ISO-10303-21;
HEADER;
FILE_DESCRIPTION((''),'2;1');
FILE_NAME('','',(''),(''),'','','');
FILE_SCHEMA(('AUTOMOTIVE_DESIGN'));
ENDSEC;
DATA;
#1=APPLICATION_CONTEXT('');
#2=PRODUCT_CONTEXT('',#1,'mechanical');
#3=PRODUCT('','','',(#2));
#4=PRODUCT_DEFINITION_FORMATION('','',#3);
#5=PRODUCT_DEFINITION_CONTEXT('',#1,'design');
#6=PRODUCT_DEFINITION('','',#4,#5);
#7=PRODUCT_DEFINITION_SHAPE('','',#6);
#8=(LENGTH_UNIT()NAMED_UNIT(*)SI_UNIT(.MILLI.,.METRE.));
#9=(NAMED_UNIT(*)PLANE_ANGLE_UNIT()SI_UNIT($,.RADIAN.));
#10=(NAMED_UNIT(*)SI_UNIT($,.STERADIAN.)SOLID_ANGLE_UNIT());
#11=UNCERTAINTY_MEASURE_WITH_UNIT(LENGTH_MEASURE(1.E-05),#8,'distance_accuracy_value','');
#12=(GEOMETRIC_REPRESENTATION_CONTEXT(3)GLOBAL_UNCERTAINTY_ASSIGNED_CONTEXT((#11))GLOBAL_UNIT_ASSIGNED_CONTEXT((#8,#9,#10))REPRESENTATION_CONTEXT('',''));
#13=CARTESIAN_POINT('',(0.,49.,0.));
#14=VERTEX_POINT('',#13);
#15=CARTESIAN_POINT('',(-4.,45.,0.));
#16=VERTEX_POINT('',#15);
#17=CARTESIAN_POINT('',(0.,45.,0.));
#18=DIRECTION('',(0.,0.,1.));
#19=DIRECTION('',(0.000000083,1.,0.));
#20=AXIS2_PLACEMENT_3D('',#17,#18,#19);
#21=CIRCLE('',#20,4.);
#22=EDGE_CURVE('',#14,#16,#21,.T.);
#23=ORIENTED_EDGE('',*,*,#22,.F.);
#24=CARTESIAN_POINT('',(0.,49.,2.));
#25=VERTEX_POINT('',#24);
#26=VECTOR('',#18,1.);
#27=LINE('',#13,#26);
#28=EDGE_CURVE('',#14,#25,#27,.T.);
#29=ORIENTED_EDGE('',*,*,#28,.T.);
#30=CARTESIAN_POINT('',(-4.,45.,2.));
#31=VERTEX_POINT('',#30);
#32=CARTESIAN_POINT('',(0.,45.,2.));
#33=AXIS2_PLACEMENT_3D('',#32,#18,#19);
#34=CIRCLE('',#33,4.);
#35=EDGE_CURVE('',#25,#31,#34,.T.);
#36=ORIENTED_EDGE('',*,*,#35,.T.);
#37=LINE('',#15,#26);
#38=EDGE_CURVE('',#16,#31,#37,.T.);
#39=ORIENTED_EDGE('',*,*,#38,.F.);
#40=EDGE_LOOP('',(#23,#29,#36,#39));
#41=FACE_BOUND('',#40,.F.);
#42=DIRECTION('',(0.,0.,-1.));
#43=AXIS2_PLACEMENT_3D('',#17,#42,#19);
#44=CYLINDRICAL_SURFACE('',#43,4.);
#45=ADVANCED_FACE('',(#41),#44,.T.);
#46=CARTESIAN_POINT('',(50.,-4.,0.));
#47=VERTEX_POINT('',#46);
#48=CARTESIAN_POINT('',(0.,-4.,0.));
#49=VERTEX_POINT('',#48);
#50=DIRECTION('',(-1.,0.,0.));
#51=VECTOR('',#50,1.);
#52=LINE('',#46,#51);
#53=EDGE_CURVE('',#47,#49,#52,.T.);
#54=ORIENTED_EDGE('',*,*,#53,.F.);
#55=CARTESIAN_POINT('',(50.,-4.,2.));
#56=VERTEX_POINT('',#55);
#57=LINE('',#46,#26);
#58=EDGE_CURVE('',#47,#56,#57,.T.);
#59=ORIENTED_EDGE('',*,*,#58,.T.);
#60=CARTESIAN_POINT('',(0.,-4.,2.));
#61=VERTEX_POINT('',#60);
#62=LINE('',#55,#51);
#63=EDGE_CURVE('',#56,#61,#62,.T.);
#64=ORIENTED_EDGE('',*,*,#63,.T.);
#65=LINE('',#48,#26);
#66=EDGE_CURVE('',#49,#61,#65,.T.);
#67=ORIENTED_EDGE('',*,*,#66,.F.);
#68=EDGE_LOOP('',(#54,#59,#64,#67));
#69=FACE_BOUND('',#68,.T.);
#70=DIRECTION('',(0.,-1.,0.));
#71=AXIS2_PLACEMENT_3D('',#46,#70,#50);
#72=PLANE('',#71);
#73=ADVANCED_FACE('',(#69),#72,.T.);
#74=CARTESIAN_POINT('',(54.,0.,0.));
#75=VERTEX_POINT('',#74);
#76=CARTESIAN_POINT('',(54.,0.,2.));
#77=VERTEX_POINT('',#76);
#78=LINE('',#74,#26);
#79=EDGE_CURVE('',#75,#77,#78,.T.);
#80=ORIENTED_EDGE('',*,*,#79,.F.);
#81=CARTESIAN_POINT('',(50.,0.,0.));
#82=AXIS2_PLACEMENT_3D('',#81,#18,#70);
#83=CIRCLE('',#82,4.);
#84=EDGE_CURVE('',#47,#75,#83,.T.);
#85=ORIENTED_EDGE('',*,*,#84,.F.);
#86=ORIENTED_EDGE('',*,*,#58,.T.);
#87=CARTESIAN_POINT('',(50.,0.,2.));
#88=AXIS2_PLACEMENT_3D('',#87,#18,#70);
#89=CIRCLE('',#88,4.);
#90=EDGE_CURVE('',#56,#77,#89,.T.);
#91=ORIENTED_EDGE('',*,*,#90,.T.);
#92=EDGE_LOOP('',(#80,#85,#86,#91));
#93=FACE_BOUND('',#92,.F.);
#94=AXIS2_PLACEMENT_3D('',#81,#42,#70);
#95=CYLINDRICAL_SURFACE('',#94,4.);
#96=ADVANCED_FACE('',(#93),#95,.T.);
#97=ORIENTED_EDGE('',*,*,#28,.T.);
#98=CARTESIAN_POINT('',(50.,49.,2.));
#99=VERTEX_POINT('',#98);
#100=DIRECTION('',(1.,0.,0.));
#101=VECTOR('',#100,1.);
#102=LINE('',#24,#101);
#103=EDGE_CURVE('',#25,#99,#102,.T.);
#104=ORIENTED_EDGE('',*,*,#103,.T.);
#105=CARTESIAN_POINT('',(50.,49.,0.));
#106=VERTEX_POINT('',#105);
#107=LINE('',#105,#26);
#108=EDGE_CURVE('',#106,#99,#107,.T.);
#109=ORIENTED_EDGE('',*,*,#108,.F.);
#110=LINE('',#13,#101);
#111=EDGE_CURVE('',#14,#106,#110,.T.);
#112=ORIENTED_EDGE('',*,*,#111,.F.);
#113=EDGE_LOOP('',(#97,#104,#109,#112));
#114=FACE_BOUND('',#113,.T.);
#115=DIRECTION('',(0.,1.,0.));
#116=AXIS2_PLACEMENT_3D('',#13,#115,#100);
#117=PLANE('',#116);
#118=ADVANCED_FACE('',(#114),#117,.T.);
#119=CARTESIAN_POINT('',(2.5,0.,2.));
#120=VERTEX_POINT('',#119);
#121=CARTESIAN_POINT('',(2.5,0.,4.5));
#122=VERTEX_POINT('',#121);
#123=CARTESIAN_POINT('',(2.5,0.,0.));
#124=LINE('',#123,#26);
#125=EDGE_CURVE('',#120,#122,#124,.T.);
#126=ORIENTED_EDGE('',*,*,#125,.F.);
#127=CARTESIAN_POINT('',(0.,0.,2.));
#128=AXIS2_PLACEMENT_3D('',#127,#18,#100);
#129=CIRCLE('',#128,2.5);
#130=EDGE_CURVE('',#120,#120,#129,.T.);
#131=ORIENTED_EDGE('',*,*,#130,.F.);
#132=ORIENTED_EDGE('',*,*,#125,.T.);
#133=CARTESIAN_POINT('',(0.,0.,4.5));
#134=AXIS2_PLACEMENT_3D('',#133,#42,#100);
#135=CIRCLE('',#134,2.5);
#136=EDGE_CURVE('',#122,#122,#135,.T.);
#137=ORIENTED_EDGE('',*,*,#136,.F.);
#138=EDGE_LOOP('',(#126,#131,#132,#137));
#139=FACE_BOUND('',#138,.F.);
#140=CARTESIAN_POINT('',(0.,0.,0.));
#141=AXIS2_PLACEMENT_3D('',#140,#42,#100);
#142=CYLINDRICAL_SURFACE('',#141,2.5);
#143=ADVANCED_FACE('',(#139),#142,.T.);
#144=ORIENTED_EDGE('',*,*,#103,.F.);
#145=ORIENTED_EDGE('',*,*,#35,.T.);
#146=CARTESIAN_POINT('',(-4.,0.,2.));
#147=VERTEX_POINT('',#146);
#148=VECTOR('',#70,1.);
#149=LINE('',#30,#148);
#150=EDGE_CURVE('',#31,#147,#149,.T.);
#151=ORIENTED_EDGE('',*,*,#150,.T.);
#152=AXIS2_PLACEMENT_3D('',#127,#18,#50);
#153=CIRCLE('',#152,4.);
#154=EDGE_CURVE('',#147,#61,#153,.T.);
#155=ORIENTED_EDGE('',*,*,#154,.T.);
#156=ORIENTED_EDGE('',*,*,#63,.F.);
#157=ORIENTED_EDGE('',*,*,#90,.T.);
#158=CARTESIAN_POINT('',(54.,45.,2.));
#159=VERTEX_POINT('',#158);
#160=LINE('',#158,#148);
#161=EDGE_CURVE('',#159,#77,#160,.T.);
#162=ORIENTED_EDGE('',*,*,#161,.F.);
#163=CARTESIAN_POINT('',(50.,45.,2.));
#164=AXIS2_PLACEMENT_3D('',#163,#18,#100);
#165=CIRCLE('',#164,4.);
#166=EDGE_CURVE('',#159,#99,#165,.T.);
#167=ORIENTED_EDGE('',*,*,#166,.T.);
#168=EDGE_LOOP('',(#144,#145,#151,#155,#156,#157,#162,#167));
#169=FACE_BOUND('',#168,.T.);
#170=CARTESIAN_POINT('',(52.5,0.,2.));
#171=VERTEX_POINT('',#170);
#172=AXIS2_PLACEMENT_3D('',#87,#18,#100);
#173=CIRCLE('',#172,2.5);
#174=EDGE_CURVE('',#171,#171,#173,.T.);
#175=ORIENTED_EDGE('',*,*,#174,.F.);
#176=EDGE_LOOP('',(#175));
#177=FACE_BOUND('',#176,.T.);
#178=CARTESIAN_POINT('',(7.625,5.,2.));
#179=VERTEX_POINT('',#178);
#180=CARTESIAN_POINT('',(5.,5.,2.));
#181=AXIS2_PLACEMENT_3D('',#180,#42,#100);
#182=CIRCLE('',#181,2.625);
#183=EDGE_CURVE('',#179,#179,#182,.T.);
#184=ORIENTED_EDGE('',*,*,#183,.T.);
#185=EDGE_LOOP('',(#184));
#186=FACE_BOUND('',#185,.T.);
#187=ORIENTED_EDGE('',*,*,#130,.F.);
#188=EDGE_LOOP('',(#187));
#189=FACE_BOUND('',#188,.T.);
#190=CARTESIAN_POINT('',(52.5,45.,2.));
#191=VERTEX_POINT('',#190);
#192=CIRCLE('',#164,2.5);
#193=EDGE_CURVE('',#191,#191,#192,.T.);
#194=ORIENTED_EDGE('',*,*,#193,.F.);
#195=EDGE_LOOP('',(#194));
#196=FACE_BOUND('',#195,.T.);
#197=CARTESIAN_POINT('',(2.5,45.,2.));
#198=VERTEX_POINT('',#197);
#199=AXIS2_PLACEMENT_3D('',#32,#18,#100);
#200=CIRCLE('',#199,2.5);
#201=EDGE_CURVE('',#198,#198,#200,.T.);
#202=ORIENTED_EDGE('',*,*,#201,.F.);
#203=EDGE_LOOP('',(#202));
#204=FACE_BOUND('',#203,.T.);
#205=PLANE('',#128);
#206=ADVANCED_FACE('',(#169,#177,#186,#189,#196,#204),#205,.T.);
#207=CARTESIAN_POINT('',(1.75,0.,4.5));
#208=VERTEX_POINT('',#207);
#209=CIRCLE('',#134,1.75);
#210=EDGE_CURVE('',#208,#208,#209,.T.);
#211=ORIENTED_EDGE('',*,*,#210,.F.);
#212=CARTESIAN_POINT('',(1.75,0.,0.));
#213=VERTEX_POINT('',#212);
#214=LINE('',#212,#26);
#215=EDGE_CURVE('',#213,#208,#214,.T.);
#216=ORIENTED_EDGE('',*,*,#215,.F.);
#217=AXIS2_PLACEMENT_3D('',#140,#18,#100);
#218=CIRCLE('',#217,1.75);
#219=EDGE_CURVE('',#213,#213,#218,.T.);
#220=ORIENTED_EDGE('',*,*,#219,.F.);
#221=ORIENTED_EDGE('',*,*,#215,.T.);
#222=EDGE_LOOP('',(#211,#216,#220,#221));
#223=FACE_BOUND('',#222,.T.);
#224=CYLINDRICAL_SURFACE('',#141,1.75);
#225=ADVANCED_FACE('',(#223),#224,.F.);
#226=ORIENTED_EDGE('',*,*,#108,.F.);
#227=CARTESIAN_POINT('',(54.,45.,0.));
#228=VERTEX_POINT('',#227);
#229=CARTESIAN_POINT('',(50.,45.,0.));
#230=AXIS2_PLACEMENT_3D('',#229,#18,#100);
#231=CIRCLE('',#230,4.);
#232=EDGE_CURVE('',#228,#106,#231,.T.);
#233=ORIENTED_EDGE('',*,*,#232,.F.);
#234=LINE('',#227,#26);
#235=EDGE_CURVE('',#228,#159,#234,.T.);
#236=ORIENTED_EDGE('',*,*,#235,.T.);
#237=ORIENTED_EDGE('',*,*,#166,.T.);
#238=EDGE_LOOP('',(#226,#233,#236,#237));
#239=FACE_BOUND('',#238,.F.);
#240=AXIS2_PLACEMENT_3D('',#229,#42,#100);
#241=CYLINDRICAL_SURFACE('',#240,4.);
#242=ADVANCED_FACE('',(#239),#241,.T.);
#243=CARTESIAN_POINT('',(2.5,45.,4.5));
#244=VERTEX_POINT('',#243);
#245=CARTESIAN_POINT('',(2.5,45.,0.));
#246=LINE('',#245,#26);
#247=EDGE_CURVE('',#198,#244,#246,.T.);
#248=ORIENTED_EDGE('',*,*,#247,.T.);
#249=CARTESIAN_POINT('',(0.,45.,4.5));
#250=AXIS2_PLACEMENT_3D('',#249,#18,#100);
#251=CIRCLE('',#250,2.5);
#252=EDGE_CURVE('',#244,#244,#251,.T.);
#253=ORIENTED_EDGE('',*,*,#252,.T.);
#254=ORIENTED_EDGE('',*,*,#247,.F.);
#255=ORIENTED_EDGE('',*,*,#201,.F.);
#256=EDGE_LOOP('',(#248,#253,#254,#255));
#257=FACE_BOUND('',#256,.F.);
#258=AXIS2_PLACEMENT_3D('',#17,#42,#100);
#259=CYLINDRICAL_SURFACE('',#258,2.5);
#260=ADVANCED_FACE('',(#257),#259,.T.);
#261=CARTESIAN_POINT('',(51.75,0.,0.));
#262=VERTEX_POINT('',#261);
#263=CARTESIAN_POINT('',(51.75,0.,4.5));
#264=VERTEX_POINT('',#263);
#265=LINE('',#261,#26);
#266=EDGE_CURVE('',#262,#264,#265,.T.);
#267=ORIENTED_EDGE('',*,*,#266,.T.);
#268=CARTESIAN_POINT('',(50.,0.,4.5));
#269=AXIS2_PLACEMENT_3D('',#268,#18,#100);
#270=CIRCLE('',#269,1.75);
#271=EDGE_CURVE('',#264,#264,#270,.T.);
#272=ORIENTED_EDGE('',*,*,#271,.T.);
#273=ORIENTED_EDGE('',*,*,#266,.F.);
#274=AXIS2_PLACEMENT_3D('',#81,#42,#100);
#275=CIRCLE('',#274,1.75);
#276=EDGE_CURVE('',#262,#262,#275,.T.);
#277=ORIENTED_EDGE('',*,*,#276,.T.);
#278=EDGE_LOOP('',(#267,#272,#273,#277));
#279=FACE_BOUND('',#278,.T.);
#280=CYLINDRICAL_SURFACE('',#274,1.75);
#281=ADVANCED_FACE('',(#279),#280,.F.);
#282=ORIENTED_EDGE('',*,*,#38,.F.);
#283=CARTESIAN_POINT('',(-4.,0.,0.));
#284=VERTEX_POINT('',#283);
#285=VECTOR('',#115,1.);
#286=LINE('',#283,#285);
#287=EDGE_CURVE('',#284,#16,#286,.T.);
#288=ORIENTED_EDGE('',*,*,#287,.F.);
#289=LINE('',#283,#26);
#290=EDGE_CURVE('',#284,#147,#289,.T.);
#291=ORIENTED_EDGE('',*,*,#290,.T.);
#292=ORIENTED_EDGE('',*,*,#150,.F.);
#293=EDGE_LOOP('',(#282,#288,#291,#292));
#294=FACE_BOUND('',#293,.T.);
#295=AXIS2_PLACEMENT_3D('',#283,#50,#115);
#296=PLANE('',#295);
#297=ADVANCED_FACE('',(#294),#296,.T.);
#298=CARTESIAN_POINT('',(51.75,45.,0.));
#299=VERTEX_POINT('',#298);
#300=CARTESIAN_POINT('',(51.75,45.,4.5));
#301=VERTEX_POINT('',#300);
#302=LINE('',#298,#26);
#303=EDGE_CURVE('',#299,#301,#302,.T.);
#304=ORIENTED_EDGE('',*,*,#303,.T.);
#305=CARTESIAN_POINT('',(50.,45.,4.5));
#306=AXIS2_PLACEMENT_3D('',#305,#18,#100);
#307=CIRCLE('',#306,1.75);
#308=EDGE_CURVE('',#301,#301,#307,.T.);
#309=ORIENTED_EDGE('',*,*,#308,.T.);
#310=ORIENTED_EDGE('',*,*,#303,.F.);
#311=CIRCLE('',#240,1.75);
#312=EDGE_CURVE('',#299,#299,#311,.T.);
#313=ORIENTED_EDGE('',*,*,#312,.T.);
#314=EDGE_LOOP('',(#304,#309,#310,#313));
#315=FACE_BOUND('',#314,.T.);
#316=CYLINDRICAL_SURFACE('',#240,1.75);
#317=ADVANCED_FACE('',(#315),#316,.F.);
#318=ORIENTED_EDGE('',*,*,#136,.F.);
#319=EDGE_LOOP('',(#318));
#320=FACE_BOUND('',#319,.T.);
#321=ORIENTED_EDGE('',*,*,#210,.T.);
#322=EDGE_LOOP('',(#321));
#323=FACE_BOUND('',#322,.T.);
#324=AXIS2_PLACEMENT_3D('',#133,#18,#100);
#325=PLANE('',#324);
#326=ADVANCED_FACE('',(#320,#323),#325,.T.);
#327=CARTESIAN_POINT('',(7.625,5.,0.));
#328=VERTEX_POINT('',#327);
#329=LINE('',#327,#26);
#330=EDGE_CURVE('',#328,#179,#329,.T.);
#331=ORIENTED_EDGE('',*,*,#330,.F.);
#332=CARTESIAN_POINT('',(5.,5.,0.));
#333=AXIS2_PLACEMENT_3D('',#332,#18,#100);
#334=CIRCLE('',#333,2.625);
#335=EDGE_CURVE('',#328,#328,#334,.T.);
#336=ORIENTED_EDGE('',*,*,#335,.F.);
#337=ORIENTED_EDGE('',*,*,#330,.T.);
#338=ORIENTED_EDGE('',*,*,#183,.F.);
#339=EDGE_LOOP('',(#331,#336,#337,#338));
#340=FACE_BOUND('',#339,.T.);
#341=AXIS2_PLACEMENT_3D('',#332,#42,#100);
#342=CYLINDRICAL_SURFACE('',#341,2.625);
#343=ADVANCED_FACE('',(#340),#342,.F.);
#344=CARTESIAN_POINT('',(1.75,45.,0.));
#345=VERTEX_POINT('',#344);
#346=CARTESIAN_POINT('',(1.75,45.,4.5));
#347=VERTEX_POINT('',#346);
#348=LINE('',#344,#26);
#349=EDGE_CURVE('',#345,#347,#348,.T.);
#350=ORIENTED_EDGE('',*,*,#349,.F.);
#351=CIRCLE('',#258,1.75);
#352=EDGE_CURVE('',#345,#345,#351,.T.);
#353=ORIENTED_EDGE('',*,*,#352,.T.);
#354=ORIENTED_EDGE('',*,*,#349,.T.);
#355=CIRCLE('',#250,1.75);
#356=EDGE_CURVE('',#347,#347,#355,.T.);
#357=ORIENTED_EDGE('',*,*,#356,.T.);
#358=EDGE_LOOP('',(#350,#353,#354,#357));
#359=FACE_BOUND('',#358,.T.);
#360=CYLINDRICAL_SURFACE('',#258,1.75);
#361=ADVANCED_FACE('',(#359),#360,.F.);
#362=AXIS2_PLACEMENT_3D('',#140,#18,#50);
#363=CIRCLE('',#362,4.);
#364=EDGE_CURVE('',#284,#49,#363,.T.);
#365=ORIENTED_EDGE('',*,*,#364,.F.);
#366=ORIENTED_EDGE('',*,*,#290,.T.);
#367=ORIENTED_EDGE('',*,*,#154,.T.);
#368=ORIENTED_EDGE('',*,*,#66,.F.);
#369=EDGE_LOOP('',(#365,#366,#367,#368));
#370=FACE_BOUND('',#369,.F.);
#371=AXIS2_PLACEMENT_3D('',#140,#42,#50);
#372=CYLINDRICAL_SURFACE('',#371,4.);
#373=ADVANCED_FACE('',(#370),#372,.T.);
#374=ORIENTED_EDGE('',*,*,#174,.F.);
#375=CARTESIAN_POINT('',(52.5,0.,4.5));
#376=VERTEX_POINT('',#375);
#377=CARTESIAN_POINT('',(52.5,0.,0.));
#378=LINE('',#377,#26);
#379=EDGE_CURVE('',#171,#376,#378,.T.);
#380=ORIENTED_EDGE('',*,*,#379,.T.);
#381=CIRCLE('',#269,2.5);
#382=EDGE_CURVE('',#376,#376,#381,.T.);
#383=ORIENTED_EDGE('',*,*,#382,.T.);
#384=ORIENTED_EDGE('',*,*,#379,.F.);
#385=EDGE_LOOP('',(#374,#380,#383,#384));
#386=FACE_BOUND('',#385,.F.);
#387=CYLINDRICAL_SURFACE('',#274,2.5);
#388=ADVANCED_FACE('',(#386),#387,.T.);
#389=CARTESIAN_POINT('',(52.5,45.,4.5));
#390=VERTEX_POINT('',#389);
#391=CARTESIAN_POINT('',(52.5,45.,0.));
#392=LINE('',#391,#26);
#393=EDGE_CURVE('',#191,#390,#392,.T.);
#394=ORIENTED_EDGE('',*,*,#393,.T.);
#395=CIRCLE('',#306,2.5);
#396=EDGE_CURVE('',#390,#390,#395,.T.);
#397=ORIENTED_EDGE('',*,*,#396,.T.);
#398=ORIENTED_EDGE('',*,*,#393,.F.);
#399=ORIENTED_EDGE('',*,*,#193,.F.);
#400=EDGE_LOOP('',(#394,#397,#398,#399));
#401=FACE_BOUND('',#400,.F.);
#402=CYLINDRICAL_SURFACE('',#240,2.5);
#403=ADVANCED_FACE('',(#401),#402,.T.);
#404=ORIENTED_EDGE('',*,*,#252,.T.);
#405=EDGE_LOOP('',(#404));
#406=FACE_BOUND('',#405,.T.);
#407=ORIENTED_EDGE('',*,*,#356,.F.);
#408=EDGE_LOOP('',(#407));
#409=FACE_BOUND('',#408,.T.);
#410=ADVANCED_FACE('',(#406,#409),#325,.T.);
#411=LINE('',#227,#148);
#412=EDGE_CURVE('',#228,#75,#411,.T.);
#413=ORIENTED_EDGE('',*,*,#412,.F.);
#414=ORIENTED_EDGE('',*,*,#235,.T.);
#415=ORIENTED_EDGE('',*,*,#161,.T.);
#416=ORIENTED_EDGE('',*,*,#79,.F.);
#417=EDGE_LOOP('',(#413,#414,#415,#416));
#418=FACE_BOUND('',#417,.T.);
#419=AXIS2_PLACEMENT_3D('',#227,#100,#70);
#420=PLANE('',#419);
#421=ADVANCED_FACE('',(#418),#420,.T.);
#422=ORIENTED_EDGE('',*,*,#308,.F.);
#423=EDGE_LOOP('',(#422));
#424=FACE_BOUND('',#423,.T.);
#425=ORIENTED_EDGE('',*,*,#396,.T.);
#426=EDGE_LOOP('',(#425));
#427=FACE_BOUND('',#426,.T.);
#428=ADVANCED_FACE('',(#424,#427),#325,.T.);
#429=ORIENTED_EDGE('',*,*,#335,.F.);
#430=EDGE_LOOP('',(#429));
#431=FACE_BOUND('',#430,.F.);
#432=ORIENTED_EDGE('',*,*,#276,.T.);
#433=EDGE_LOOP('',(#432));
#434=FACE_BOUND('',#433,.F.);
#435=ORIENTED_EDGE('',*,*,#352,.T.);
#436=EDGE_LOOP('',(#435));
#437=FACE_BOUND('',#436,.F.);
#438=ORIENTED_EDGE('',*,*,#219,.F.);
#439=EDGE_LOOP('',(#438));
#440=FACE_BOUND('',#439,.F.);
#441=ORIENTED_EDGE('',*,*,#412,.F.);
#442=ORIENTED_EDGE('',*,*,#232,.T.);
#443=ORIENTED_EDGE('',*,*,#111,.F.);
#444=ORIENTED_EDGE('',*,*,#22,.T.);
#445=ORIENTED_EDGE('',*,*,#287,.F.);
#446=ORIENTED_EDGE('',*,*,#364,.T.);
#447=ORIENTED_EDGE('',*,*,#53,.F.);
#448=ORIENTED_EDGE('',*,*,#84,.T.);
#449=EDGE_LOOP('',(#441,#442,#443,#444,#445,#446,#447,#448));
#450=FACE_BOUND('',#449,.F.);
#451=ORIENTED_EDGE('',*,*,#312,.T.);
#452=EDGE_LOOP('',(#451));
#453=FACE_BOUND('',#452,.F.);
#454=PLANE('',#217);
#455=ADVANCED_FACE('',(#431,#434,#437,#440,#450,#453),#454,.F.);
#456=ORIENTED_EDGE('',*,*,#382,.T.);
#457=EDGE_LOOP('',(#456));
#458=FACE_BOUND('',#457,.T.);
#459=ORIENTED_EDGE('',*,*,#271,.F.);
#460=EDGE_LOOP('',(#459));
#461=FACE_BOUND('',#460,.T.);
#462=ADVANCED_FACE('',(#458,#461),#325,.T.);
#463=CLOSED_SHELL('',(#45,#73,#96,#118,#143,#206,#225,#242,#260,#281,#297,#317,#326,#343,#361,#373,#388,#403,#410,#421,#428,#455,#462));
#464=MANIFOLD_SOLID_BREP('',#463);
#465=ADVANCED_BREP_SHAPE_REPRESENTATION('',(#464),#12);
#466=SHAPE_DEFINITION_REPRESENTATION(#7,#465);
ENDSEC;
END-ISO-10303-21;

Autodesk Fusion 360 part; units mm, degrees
sketch "Sketch1" plane through (0, 0, 0) normal (0, 0, 1) x (1, 0, 0)
  circle A0 centre (0, 45) radius 1.75
  circle A1 centre (50, 45) radius 1.75
  circle A2 centre (0, 0) radius 1.75
  circle A3 centre (50, 0) radius 1.75
  line L0 (54, 45) -> (54, 0)
  line L1 (-4, 0) -> (-4, 45)
  line L2 (0, 49) -> (50, 49)
  line L3 (50, -4) -> (0, -4)
  line L4 (-1.75, 45) -> (1.75, 45)
  line L5 (48.25, 45) -> (51.75, 45)
  line L6 (50, 45) -> (48.25, 45)
  line L7 (1.75, 45) -> (0, 45)
  line L8 (0, -1.75) -> (0, 1.75)
  line L9 (0, 43.25) -> (0, 46.75)
  line L10 (0, 45) -> (0, 43.25)
  line L11 (0, 1.75) -> (0, 0)
  arc A4 (0, 49) -> (-4, 44.9977) centre (0, 45) ccw
  line L12 (50, 46.75) -> (50, 43.25)
  line L13 (50, 1.75) -> (50, -1.75)
  line L14 (50, 0) -> (50, 1.75)
  line L15 (50, 43.25) -> (50, 45)
  arc A5 (54, 45) -> (50, 49) centre (50, 45) ccw
  arc A6 (50, -4) -> (54, 0) centre (50, 0) ccw
  line L16 (0, 0) -> (1.75, 0)
  line L17 (48.25, 0) -> (50, 0)
  line L18 (51.75, 0) -> (48.25, 0)
  line L19 (1.75, 0) -> (-1.75, 0)
  arc A7 (-4, 0) -> (0, -4) centre (0, 0) ccw
  circle A8 centre (0, 0) radius 2.5
  circle A9 centre (0, 45) radius 2.5
  circle A10 centre (50, 45) radius 2.5
  circle A11 centre (50, 0) radius 2.5
  line L20 (0, 0) -> (5, 0)
  line L21 (5, 0) -> (5, 5)
  line L22 (5, 5) -> (0, 5)
  line L23 (0, 5) -> (0, 0)
  circle A12 centre (5, 5) radius 2.625
  dimension "d1" = 50
  dimension "d2" = 45
  dimension "d3" = 3.5
  dimension "d4" = 3.5
  dimension "d5" = 3.5
  dimension "d6" = 3.5
  dimension "d7" = 8
  dimension "d9" = 8
  dimension "d10" = 8
  dimension "d11" = 5
  dimension "d12" = 5
  dimension "d13" = 5
  dimension "d14" = 5
  dimension "d19" = 5
  dimension "d20" = 5.25
extrude "Extrude1" add sketch "Sketch1" along normal blind 2 contours A8 L20 L21 L22 L23 A12 | L21 L22 A12 | L21 L22 A12 | L0 L1 L2 L3 A4 A5 A6 A7
extrude "Extrude2" add sketch "Sketch1" along normal blind 4.5 contours A2 A8 L20 L23 | A2 A8 L20 L23 | A9 | A10 | A11
extrude "Extrude3" cut sketch "Sketch1" along normal blind 10 contours L21 L22 A12 | L21 L22 A12
